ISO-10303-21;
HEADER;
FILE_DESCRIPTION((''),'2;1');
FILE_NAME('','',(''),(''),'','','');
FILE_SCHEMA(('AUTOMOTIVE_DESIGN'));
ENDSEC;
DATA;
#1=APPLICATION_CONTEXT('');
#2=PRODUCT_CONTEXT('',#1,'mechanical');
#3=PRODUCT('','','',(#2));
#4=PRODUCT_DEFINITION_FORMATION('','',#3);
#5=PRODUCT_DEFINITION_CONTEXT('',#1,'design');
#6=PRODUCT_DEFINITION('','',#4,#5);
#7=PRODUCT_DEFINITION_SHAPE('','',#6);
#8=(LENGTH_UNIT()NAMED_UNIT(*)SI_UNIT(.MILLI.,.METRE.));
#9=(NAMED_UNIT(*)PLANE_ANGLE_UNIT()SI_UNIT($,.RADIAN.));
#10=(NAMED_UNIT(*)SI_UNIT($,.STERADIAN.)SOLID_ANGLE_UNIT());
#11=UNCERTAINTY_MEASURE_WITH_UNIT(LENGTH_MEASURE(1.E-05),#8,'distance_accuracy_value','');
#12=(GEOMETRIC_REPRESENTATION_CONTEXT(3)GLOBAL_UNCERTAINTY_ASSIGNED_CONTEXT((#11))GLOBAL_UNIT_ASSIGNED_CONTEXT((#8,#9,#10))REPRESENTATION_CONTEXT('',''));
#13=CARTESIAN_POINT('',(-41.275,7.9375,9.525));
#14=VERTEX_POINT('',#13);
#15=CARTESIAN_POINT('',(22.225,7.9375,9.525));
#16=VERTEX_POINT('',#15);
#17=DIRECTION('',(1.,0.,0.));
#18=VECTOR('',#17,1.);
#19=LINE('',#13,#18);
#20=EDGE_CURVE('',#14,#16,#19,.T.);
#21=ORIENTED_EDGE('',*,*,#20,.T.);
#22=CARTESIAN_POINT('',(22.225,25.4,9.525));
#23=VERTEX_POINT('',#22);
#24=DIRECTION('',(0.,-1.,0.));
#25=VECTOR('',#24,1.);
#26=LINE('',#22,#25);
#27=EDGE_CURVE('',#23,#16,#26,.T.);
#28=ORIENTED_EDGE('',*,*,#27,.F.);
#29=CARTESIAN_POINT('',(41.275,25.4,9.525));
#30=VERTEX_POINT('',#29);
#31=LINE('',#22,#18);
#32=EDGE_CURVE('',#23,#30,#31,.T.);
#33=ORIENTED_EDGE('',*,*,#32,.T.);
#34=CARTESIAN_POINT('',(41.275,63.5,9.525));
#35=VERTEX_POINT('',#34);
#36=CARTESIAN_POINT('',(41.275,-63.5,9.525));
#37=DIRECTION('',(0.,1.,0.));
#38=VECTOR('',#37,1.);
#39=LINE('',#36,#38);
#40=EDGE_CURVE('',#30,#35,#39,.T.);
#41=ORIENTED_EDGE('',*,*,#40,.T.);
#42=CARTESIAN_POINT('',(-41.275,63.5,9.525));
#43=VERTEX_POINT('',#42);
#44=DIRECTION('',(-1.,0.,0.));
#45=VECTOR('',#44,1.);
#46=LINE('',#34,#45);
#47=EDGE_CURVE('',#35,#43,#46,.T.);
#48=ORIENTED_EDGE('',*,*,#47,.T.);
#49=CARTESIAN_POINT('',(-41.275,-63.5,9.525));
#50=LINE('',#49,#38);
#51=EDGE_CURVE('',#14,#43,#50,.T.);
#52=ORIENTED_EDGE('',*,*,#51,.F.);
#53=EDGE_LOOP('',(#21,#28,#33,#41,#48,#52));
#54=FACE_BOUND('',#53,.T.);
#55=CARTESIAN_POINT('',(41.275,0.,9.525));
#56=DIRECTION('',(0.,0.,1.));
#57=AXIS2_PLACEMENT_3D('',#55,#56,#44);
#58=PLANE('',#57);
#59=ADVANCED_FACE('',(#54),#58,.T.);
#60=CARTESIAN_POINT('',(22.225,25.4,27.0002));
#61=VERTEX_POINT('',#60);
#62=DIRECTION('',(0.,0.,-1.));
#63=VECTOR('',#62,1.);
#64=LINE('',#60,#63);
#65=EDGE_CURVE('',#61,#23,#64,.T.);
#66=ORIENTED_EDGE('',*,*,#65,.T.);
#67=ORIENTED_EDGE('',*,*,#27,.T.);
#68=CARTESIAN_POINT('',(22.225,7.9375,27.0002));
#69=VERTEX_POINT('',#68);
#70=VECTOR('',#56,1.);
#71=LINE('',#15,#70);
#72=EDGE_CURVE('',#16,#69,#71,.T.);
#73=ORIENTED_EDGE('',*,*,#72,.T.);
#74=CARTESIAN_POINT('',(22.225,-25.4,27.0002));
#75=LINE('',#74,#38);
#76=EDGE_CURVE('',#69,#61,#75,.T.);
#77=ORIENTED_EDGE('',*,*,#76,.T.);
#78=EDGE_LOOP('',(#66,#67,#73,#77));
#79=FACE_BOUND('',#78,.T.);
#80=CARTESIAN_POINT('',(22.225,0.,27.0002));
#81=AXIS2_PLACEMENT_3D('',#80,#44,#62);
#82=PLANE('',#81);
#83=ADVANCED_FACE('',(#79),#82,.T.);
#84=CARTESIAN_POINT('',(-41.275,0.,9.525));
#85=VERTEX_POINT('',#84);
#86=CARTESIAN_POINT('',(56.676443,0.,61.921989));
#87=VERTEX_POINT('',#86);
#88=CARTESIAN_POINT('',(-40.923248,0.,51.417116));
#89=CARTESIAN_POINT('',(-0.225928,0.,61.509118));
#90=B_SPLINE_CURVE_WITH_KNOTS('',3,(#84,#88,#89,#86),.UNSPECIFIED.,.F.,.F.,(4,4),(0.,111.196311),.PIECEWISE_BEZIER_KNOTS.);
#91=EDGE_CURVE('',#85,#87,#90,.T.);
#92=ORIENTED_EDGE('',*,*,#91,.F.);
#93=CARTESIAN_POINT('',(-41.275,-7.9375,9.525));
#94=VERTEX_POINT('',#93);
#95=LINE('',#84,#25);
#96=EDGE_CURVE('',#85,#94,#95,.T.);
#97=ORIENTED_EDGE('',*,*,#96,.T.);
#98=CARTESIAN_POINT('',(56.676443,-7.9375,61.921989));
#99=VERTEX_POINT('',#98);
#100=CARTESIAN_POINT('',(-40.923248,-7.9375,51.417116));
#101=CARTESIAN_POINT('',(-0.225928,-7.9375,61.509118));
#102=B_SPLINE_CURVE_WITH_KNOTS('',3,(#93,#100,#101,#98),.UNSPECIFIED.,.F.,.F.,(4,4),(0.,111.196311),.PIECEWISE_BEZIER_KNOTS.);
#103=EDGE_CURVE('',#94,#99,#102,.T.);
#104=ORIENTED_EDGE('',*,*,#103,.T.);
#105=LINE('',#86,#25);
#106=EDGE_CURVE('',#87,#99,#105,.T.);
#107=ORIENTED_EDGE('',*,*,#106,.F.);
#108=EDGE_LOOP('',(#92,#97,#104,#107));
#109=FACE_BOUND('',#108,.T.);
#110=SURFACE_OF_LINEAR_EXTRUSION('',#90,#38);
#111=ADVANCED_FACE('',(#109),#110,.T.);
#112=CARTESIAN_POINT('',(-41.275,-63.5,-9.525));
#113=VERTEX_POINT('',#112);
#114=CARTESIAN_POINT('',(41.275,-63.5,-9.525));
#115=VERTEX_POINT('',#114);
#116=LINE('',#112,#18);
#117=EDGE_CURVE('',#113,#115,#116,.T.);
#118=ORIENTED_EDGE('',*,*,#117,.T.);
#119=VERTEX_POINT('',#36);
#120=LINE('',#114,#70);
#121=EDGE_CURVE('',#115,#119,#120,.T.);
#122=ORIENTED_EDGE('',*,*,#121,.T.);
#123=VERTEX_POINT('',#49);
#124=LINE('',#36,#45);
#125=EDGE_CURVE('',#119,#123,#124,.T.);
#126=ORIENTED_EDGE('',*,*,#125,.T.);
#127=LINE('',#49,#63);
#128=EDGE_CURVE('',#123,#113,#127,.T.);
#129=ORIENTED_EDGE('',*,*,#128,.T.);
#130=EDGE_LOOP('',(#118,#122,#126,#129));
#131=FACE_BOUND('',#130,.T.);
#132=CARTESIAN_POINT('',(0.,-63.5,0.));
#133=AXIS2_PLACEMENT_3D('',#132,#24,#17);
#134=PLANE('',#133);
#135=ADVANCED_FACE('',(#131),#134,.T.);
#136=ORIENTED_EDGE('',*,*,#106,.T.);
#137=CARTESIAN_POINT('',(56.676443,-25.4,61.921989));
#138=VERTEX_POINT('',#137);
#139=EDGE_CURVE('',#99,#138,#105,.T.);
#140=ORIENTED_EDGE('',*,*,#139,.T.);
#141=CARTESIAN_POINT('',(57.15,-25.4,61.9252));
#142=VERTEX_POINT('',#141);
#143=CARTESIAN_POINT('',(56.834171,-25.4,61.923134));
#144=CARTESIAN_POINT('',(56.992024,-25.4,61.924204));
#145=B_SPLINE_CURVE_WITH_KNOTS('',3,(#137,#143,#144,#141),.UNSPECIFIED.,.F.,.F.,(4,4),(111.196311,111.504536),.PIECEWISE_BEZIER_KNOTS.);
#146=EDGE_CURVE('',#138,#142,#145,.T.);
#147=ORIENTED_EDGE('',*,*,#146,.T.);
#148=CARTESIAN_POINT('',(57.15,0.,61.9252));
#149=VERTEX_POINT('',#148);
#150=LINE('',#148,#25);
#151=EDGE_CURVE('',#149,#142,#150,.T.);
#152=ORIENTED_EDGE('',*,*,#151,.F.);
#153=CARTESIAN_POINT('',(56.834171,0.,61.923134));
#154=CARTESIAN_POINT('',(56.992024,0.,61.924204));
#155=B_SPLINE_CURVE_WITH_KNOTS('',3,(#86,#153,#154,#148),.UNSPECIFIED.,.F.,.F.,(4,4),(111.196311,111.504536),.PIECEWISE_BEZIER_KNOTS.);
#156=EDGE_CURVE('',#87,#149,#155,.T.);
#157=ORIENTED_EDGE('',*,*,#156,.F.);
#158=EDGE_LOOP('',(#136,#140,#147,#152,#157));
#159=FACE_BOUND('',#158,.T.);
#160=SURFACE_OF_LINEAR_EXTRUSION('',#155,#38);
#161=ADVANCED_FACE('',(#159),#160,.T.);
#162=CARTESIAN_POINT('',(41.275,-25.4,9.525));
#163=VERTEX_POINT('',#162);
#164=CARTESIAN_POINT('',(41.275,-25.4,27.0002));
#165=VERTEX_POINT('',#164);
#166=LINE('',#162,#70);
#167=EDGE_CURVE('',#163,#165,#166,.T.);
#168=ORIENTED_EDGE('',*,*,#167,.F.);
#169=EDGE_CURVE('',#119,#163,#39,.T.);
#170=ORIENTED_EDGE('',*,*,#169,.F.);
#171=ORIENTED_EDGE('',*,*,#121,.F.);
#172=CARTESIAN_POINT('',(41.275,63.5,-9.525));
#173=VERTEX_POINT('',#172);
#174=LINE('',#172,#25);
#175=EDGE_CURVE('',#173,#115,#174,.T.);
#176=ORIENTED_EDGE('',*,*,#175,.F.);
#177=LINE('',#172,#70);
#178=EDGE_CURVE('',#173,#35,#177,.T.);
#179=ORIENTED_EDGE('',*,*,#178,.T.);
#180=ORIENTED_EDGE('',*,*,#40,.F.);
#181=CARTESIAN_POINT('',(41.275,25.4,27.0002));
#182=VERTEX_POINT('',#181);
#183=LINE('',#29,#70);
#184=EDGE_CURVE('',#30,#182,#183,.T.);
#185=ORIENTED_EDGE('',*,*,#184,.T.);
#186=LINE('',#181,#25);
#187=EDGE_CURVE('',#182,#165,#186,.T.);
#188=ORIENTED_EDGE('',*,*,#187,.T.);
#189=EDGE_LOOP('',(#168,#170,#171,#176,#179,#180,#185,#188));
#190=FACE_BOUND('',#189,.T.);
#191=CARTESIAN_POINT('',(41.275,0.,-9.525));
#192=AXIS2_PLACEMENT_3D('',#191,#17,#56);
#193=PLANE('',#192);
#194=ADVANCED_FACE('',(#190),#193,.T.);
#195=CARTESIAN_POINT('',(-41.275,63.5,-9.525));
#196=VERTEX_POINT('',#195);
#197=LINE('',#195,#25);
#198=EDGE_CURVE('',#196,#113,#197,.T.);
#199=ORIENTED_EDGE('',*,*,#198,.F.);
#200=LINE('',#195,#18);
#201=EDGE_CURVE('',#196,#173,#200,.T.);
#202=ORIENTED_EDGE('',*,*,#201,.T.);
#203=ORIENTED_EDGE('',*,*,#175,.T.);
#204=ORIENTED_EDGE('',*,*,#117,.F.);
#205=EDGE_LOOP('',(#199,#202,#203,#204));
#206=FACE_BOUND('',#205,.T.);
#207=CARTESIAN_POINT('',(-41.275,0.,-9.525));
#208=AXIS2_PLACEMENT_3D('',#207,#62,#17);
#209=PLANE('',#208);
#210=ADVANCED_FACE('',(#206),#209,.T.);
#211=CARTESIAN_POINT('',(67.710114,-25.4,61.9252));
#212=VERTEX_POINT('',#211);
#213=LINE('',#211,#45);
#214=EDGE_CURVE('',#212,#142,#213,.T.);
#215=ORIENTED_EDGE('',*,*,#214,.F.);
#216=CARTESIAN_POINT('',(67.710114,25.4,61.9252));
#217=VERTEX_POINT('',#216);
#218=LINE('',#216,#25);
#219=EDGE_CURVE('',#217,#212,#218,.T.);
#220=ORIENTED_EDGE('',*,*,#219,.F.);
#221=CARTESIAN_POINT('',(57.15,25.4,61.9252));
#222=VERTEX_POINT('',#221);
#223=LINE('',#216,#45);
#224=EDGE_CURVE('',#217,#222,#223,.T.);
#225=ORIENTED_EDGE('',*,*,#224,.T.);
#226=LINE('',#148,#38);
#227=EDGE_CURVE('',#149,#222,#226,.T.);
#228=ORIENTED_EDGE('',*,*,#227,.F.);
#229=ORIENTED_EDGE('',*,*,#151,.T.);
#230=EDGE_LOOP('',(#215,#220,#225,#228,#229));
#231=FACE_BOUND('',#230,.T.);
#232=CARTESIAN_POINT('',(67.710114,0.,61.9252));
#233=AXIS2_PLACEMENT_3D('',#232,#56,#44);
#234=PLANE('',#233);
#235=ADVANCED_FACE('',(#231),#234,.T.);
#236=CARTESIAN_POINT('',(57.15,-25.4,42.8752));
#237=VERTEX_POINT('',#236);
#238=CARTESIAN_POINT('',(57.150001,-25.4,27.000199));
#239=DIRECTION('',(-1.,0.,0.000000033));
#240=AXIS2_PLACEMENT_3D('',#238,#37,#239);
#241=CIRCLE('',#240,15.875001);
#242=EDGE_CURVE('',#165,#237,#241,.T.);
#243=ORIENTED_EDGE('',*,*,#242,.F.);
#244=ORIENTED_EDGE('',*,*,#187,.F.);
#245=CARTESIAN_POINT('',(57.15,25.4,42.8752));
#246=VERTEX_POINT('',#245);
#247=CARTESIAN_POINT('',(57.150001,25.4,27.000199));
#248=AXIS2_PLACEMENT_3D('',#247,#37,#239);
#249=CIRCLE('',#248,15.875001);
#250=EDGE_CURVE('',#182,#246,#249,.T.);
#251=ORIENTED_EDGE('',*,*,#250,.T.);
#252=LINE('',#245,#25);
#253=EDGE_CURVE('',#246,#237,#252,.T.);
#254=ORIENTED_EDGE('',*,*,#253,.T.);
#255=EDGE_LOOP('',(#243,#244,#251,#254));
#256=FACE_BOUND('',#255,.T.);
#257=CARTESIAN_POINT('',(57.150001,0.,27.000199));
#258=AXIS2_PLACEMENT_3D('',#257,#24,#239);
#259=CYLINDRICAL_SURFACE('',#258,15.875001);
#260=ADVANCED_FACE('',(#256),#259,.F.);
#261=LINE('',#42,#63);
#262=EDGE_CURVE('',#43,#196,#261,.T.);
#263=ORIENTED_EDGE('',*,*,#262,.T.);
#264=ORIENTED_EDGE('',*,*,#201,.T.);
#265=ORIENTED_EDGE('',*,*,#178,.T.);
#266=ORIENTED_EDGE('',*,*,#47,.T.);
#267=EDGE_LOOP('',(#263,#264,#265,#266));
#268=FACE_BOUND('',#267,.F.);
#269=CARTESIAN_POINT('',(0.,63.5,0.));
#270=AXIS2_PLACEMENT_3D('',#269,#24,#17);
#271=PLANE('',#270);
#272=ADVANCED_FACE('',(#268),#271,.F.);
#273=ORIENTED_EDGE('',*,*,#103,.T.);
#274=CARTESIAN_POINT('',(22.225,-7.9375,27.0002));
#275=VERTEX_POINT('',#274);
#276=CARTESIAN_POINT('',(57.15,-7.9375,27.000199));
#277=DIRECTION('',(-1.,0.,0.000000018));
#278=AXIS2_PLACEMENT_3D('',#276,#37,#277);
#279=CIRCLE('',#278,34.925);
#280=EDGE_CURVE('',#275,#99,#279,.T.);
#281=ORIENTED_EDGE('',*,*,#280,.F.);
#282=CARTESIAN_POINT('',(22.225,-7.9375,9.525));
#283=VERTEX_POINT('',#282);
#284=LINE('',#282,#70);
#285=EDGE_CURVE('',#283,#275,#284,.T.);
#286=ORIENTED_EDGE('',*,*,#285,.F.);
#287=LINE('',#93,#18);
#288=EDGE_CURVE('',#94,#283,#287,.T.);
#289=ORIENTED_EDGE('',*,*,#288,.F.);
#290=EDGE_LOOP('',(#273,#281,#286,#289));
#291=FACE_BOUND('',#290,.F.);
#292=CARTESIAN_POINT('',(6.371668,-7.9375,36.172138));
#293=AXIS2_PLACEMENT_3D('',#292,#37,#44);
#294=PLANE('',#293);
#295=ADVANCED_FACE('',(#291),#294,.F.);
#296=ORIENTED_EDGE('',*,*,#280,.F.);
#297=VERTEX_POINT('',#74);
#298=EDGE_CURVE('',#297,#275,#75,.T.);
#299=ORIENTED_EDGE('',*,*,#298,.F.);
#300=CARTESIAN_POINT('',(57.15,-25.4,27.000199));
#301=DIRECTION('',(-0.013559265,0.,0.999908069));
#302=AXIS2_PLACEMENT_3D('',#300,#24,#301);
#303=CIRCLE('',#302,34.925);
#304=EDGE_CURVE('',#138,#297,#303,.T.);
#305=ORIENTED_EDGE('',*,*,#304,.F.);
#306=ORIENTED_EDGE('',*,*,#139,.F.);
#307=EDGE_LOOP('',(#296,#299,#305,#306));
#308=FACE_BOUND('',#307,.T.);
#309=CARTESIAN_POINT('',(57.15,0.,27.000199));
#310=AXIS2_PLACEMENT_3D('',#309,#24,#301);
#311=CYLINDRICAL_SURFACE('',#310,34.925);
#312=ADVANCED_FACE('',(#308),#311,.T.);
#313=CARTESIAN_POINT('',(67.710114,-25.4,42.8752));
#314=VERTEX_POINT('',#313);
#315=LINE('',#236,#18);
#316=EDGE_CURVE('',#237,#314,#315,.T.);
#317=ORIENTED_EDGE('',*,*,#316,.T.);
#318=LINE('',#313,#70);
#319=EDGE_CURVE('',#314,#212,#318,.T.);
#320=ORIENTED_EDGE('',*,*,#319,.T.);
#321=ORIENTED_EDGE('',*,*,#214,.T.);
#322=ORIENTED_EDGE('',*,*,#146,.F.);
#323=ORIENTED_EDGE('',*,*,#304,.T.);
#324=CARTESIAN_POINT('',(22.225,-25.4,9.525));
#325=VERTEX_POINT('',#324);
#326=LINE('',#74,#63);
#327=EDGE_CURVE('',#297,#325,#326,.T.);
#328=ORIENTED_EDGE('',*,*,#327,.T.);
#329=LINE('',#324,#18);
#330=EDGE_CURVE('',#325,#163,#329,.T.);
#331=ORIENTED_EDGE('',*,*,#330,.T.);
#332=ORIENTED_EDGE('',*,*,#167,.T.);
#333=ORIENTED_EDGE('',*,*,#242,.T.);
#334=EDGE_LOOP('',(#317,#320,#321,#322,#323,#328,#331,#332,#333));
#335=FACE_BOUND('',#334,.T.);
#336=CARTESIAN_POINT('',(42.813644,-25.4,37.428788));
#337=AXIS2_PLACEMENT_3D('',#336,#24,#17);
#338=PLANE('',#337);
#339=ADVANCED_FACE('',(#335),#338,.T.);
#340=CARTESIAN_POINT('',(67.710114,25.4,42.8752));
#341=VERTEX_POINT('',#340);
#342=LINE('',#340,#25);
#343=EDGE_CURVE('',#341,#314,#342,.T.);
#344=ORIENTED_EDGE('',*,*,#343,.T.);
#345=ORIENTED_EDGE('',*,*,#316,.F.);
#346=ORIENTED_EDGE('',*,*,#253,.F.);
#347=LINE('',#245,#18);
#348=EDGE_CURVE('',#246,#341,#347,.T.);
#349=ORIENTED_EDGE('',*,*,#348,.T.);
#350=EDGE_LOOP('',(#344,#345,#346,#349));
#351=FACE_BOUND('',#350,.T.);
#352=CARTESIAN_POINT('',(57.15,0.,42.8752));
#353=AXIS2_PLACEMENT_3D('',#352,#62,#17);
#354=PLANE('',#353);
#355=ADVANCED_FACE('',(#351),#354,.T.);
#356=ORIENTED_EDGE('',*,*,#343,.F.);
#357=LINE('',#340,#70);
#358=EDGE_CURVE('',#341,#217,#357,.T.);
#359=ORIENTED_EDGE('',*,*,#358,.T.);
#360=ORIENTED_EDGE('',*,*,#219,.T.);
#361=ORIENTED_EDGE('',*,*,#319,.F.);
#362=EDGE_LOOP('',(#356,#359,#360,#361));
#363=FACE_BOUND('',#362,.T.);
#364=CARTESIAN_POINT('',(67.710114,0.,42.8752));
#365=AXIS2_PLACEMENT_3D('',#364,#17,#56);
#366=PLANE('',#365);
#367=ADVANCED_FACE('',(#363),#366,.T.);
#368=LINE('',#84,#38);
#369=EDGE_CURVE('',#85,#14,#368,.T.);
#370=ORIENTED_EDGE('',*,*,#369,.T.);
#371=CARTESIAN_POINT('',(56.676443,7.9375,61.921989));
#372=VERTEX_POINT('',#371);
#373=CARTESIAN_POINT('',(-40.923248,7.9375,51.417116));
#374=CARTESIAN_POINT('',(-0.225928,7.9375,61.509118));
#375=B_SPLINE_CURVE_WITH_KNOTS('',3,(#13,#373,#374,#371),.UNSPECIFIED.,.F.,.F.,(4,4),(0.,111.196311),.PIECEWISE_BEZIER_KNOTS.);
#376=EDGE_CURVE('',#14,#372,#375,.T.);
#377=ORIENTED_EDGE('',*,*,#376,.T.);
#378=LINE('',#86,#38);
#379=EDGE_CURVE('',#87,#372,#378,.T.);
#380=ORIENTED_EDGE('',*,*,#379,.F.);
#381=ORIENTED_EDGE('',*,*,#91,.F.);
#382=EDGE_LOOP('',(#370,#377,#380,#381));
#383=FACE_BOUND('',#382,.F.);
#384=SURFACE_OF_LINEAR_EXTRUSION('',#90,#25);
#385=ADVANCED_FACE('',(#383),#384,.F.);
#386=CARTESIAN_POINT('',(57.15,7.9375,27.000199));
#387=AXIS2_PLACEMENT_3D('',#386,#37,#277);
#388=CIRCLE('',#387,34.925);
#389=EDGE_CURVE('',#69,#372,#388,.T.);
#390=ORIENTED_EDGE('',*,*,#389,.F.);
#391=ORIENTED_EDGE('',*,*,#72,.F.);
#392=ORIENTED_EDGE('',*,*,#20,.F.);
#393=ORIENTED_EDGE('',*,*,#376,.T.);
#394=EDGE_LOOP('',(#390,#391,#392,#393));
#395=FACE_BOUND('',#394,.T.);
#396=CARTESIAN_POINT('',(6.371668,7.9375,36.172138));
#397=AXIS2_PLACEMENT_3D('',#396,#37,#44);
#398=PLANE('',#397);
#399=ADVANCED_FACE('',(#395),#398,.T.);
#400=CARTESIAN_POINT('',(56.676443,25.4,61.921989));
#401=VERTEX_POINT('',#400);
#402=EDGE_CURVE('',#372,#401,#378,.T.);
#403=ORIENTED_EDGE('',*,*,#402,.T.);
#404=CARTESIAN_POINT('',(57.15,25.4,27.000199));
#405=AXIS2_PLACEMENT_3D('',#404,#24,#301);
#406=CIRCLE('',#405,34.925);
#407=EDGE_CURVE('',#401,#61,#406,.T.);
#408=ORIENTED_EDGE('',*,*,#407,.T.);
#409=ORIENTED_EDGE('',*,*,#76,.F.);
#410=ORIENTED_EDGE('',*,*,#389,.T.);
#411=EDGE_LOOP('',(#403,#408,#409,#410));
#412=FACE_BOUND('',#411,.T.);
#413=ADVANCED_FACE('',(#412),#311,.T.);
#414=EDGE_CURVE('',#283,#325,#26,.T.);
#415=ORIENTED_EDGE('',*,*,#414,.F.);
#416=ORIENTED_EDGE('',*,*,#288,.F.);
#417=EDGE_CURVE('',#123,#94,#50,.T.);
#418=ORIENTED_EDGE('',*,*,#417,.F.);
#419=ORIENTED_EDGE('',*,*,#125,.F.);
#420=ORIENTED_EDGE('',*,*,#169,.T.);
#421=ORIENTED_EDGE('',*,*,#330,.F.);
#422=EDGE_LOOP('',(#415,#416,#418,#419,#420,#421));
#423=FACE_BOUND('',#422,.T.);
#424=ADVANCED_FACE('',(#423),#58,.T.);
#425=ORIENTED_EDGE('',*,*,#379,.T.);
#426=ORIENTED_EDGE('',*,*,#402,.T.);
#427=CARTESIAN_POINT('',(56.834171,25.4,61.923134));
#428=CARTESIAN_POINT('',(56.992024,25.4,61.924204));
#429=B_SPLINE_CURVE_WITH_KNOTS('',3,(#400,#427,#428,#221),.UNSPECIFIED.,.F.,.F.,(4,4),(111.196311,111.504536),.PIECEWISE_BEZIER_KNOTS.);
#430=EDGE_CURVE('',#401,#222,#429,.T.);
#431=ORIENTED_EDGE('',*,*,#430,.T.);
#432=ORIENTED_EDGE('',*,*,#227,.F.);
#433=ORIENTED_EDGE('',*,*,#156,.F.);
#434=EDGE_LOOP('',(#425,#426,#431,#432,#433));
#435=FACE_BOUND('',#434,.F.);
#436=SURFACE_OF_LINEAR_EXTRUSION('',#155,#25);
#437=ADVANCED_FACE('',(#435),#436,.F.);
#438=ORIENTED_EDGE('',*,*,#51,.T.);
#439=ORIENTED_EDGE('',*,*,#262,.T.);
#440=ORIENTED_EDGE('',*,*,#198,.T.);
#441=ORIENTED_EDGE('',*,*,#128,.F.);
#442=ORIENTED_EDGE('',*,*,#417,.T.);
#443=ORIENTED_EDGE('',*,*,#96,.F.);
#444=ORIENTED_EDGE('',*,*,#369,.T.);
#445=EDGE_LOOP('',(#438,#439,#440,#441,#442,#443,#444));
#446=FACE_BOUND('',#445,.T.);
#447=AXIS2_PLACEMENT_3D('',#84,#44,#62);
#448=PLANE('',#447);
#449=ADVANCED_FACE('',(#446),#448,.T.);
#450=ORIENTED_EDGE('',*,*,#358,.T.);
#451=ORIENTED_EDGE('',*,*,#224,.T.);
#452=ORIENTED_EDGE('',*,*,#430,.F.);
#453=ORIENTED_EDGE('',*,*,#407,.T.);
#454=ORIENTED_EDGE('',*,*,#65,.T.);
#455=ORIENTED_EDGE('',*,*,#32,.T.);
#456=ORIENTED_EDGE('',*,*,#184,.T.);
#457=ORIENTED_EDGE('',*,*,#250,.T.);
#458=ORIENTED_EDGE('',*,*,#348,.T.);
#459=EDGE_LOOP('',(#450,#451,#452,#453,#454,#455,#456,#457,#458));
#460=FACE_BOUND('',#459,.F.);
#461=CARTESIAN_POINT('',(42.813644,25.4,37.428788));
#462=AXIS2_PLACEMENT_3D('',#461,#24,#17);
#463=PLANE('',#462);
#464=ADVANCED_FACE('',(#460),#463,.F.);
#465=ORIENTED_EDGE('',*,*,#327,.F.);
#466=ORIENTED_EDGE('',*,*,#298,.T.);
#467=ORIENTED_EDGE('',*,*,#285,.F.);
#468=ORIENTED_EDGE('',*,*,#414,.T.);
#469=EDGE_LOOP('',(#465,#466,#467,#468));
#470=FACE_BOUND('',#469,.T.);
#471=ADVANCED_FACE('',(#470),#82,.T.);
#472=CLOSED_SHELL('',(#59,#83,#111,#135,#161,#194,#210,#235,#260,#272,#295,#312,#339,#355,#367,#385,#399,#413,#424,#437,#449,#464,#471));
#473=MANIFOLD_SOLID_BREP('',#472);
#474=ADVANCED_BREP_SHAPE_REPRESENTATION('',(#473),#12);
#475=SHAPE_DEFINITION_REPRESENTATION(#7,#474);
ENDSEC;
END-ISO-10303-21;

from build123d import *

# Parameters (mm, degrees)
F1_DEPTH = 63.5
F2_DEPTH = 25.4
F3_DEPTH = 7.9375


with BuildPart() as f1:
    # F0 (on Front) → F1 (new body, symmetric)
    with BuildSketch(Plane.XZ):
        Polygon((22.225, 9.525), (-41.275, 9.525), (-41.275, -9.525), (41.275, -9.525), (41.275, 9.525), align=None)
    extrude(amount=F1_DEPTH, both=True)

    # F0 (on Front) → F2 (join, symmetric)
    with BuildSketch(Plane.XZ):
        with BuildLine():
            Line((22.225, 27.0002), (22.225, 9.525))
            Line((22.225, 9.525), (41.275, 9.525))
            Line((41.275, 9.525), (41.275, 27.0002))
            ThreePointArc((41.275, 27.0002), (45.92468, 38.22552), (57.15, 42.8752))
            Line((57.15, 42.8752), (67.710114, 42.8752))
            Line((67.710114, 42.8752), (67.710114, 61.9252))
            Line((67.710114, 61.9252), (57.15, 61.9252))
            add(Edge.make_bspline(
                [(56.676443, 61.921989), (56.834171, 61.923134), (56.992024, 61.924204), (57.15, 61.9252)],
                knots=[111.196311, 111.196311, 111.196311, 111.196311, 111.504536, 111.504536, 111.504536, 111.504536], degree=3))
            ThreePointArc((56.676443, 61.921989), (32.287432, 51.527905), (22.225, 27.0002))
        make_face()
    extrude(amount=F2_DEPTH, both=True)

    # F0 (on Front) → F3 (join, symmetric)
    with BuildSketch(Plane.XZ):
        with BuildLine():
            add(Edge.make_bspline(
                [(-41.275, 9.525), (-40.923248, 51.417116), (-0.225928, 61.509118), (56.676443, 61.921989)],
                knots=[0, 0, 0, 0, 111.196311, 111.196311, 111.196311, 111.196311], degree=3))
            Line((-41.275, 9.525), (22.225, 9.525))
            Line((22.225, 9.525), (22.225, 27.0002))
            ThreePointArc((22.225, 27.0002), (32.287432, 51.527905), (56.676443, 61.921989))
        make_face()
    extrude(amount=F3_DEPTH, both=True)


solid = f1.part
